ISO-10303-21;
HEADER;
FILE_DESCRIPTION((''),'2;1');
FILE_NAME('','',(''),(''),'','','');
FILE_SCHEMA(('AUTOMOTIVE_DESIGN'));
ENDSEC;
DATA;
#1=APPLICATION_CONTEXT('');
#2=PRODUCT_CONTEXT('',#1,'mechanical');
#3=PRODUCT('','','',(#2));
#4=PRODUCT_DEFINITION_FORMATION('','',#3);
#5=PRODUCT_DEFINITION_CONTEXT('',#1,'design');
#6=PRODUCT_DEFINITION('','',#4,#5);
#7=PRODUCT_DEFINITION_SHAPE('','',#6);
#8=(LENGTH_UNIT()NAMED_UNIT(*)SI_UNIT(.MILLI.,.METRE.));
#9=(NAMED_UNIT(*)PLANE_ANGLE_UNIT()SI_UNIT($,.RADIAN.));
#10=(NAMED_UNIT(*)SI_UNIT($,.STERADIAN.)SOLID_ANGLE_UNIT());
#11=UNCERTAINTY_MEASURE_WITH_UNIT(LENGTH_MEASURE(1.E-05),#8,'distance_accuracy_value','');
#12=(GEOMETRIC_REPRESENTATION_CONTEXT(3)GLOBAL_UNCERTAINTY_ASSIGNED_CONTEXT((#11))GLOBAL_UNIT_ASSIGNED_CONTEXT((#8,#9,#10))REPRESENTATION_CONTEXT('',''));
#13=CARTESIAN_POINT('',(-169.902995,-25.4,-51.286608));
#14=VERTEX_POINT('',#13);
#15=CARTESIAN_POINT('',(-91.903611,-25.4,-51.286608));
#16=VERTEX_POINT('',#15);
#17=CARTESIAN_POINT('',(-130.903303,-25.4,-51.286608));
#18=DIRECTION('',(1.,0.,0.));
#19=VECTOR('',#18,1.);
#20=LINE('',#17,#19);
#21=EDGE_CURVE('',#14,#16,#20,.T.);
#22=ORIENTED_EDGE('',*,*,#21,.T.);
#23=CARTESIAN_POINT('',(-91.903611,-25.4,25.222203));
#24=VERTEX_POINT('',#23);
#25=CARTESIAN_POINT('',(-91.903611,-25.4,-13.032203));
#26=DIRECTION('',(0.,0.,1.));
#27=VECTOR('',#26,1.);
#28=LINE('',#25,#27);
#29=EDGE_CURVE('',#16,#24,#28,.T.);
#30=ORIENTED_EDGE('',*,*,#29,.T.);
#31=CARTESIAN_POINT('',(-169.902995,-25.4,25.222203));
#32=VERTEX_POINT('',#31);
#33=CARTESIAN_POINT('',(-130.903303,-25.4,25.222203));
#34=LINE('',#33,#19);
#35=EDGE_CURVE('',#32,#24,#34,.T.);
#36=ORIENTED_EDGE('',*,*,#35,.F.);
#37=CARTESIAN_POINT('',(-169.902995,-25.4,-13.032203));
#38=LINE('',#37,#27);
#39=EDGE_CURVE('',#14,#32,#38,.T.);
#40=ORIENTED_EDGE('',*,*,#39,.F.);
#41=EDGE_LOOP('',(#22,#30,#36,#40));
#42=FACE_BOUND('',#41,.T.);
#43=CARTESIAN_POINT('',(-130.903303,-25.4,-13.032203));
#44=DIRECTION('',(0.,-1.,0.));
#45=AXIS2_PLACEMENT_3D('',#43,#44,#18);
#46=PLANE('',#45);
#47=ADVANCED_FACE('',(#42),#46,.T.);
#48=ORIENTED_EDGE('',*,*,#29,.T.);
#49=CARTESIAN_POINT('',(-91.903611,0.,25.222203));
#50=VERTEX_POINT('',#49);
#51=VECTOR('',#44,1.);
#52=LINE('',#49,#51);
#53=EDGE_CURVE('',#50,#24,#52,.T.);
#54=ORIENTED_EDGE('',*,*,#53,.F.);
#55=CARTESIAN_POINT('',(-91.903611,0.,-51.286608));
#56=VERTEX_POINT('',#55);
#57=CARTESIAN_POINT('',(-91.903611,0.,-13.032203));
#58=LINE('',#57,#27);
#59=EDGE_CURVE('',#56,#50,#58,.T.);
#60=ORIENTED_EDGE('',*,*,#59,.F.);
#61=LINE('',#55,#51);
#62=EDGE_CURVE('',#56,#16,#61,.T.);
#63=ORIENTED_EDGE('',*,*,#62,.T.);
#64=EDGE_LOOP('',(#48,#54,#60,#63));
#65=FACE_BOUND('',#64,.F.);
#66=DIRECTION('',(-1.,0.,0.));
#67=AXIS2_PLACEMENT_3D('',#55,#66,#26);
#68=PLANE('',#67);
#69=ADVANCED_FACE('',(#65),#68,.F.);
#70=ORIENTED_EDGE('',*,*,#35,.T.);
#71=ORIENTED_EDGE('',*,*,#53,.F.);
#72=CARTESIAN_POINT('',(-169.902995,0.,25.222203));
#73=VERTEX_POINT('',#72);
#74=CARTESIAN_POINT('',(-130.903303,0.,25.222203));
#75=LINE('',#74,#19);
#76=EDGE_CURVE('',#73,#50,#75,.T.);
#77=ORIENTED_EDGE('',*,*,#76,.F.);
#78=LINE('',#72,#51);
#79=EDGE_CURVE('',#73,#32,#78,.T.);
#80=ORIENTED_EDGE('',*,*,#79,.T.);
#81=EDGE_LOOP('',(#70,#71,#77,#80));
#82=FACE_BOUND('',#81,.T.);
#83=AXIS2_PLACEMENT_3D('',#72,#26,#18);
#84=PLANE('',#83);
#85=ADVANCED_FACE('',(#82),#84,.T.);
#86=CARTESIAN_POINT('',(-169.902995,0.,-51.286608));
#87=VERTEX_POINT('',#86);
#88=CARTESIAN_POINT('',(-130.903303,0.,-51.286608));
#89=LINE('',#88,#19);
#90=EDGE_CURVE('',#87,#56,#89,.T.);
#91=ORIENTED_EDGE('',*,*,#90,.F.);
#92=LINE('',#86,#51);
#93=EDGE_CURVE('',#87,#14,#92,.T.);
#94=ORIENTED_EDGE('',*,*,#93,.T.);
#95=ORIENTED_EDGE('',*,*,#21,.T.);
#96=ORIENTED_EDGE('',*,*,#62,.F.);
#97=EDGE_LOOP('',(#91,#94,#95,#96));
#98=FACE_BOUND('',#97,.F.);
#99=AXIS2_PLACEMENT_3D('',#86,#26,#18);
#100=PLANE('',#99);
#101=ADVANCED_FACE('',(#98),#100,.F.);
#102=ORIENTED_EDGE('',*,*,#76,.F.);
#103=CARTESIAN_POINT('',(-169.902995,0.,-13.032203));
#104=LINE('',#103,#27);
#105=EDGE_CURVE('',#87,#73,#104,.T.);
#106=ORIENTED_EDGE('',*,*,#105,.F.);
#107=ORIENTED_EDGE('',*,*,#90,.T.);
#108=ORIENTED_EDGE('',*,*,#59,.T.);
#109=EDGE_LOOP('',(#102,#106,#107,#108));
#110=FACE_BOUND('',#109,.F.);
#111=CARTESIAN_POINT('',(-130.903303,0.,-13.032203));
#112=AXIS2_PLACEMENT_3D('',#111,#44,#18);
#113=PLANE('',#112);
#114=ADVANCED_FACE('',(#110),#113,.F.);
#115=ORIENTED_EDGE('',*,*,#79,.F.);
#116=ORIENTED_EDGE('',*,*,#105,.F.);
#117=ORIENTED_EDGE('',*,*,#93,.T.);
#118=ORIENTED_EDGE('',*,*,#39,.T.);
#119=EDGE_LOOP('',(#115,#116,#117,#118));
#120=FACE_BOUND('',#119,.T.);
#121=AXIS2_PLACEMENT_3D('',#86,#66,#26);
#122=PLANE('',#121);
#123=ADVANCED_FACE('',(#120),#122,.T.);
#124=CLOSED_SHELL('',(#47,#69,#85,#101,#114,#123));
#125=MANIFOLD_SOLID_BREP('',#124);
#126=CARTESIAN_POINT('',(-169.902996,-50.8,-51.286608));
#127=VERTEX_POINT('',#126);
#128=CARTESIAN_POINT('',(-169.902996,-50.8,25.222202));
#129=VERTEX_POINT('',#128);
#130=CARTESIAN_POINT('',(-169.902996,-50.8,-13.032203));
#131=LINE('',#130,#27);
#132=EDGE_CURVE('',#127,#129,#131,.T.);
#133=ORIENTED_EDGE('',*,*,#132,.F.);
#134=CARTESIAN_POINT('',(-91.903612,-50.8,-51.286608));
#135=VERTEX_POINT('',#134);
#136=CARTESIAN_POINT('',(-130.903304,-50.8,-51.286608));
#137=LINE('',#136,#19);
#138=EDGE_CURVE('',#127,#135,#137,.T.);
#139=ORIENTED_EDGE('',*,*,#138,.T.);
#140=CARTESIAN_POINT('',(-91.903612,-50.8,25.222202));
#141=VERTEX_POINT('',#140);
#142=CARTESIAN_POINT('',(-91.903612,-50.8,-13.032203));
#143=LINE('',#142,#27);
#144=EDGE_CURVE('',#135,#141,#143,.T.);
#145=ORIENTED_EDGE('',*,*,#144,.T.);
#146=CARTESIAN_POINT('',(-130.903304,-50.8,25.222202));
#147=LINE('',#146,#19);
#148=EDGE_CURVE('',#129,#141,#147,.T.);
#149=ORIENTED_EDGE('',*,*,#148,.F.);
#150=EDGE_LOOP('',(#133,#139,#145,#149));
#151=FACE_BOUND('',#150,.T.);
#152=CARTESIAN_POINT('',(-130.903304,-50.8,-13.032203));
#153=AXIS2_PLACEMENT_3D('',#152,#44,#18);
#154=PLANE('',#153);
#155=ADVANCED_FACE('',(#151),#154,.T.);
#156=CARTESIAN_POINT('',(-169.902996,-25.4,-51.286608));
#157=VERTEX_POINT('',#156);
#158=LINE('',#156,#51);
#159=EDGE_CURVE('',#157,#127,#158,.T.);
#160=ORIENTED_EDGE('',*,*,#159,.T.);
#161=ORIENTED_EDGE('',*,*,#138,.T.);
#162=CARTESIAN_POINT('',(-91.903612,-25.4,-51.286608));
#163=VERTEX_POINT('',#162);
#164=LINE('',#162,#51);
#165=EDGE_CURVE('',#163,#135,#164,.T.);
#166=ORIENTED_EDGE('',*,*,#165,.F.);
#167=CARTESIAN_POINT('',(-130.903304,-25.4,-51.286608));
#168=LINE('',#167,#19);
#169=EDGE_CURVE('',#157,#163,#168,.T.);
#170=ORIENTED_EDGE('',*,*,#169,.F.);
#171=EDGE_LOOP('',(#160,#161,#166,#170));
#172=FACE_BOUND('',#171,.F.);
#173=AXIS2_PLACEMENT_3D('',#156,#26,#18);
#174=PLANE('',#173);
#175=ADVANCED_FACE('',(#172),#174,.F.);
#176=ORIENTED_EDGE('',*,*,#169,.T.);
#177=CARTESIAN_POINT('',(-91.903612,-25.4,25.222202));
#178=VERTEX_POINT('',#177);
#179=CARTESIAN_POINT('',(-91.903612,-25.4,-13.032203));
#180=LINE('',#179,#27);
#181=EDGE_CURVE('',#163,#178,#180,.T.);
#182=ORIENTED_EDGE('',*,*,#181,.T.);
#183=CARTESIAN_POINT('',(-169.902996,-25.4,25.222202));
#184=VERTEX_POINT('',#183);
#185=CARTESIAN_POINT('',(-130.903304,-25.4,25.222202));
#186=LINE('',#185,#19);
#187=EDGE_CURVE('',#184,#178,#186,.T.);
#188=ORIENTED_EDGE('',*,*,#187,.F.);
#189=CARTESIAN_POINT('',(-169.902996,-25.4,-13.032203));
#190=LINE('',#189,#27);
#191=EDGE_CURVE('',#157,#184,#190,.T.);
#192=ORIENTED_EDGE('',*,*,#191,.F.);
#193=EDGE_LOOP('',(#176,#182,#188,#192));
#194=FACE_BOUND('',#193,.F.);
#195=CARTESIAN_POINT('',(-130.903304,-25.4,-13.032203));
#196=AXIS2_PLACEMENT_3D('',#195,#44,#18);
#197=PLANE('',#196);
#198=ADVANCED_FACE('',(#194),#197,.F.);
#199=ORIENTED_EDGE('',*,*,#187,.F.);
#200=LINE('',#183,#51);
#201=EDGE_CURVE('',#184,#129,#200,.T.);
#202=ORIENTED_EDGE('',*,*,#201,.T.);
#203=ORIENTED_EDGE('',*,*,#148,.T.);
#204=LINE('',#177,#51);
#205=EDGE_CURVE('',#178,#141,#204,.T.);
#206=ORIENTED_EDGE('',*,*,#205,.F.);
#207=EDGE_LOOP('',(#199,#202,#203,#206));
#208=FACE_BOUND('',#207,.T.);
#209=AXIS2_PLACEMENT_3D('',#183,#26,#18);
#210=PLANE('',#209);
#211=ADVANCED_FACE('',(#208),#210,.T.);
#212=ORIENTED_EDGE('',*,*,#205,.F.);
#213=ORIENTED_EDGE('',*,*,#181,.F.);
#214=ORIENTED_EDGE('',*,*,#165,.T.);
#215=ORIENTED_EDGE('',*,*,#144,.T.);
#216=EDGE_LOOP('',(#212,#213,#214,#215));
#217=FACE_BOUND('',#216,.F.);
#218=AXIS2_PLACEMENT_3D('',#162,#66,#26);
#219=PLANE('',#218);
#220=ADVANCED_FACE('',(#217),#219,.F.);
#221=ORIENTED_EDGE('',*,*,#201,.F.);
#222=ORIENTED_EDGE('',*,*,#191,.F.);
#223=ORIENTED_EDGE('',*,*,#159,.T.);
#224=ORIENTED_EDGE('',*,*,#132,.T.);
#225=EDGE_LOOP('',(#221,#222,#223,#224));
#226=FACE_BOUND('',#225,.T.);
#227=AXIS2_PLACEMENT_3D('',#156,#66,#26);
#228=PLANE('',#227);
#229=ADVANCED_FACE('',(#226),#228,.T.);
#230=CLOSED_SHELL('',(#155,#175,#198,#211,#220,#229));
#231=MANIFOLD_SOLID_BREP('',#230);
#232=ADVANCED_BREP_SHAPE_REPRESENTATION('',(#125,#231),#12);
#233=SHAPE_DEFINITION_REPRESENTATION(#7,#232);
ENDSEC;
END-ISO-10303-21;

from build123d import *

# Parameters (mm, degrees)
F0_W      = 77.999383
F0_H      = 76.508811
F1_DEPTH  = 25.4
F1_FACE_W = 77.999384
F1_FACE_H = 76.50881
F2_DEPTH  = 25.4


with BuildPart() as f1:
    # F0 (on Front) → F1 (new body)
    with BuildSketch(Plane.XZ):
        with Locations((-130.903303, -13.032203)):
            Rectangle(F0_W, F0_H)
    extrude(amount=F1_DEPTH)


with BuildPart() as f2:
    # F1_face (on face) → F2 (new body)
    with BuildSketch(Plane(origin=(-130.903304, -25.4, -13.032203), x_dir=(1, 0, 0), z_dir=(0, -1, 0))):
        Rectangle(F1_FACE_W, F1_FACE_H)
    extrude(amount=F2_DEPTH)


solid = Compound([f1.part, f2.part])
